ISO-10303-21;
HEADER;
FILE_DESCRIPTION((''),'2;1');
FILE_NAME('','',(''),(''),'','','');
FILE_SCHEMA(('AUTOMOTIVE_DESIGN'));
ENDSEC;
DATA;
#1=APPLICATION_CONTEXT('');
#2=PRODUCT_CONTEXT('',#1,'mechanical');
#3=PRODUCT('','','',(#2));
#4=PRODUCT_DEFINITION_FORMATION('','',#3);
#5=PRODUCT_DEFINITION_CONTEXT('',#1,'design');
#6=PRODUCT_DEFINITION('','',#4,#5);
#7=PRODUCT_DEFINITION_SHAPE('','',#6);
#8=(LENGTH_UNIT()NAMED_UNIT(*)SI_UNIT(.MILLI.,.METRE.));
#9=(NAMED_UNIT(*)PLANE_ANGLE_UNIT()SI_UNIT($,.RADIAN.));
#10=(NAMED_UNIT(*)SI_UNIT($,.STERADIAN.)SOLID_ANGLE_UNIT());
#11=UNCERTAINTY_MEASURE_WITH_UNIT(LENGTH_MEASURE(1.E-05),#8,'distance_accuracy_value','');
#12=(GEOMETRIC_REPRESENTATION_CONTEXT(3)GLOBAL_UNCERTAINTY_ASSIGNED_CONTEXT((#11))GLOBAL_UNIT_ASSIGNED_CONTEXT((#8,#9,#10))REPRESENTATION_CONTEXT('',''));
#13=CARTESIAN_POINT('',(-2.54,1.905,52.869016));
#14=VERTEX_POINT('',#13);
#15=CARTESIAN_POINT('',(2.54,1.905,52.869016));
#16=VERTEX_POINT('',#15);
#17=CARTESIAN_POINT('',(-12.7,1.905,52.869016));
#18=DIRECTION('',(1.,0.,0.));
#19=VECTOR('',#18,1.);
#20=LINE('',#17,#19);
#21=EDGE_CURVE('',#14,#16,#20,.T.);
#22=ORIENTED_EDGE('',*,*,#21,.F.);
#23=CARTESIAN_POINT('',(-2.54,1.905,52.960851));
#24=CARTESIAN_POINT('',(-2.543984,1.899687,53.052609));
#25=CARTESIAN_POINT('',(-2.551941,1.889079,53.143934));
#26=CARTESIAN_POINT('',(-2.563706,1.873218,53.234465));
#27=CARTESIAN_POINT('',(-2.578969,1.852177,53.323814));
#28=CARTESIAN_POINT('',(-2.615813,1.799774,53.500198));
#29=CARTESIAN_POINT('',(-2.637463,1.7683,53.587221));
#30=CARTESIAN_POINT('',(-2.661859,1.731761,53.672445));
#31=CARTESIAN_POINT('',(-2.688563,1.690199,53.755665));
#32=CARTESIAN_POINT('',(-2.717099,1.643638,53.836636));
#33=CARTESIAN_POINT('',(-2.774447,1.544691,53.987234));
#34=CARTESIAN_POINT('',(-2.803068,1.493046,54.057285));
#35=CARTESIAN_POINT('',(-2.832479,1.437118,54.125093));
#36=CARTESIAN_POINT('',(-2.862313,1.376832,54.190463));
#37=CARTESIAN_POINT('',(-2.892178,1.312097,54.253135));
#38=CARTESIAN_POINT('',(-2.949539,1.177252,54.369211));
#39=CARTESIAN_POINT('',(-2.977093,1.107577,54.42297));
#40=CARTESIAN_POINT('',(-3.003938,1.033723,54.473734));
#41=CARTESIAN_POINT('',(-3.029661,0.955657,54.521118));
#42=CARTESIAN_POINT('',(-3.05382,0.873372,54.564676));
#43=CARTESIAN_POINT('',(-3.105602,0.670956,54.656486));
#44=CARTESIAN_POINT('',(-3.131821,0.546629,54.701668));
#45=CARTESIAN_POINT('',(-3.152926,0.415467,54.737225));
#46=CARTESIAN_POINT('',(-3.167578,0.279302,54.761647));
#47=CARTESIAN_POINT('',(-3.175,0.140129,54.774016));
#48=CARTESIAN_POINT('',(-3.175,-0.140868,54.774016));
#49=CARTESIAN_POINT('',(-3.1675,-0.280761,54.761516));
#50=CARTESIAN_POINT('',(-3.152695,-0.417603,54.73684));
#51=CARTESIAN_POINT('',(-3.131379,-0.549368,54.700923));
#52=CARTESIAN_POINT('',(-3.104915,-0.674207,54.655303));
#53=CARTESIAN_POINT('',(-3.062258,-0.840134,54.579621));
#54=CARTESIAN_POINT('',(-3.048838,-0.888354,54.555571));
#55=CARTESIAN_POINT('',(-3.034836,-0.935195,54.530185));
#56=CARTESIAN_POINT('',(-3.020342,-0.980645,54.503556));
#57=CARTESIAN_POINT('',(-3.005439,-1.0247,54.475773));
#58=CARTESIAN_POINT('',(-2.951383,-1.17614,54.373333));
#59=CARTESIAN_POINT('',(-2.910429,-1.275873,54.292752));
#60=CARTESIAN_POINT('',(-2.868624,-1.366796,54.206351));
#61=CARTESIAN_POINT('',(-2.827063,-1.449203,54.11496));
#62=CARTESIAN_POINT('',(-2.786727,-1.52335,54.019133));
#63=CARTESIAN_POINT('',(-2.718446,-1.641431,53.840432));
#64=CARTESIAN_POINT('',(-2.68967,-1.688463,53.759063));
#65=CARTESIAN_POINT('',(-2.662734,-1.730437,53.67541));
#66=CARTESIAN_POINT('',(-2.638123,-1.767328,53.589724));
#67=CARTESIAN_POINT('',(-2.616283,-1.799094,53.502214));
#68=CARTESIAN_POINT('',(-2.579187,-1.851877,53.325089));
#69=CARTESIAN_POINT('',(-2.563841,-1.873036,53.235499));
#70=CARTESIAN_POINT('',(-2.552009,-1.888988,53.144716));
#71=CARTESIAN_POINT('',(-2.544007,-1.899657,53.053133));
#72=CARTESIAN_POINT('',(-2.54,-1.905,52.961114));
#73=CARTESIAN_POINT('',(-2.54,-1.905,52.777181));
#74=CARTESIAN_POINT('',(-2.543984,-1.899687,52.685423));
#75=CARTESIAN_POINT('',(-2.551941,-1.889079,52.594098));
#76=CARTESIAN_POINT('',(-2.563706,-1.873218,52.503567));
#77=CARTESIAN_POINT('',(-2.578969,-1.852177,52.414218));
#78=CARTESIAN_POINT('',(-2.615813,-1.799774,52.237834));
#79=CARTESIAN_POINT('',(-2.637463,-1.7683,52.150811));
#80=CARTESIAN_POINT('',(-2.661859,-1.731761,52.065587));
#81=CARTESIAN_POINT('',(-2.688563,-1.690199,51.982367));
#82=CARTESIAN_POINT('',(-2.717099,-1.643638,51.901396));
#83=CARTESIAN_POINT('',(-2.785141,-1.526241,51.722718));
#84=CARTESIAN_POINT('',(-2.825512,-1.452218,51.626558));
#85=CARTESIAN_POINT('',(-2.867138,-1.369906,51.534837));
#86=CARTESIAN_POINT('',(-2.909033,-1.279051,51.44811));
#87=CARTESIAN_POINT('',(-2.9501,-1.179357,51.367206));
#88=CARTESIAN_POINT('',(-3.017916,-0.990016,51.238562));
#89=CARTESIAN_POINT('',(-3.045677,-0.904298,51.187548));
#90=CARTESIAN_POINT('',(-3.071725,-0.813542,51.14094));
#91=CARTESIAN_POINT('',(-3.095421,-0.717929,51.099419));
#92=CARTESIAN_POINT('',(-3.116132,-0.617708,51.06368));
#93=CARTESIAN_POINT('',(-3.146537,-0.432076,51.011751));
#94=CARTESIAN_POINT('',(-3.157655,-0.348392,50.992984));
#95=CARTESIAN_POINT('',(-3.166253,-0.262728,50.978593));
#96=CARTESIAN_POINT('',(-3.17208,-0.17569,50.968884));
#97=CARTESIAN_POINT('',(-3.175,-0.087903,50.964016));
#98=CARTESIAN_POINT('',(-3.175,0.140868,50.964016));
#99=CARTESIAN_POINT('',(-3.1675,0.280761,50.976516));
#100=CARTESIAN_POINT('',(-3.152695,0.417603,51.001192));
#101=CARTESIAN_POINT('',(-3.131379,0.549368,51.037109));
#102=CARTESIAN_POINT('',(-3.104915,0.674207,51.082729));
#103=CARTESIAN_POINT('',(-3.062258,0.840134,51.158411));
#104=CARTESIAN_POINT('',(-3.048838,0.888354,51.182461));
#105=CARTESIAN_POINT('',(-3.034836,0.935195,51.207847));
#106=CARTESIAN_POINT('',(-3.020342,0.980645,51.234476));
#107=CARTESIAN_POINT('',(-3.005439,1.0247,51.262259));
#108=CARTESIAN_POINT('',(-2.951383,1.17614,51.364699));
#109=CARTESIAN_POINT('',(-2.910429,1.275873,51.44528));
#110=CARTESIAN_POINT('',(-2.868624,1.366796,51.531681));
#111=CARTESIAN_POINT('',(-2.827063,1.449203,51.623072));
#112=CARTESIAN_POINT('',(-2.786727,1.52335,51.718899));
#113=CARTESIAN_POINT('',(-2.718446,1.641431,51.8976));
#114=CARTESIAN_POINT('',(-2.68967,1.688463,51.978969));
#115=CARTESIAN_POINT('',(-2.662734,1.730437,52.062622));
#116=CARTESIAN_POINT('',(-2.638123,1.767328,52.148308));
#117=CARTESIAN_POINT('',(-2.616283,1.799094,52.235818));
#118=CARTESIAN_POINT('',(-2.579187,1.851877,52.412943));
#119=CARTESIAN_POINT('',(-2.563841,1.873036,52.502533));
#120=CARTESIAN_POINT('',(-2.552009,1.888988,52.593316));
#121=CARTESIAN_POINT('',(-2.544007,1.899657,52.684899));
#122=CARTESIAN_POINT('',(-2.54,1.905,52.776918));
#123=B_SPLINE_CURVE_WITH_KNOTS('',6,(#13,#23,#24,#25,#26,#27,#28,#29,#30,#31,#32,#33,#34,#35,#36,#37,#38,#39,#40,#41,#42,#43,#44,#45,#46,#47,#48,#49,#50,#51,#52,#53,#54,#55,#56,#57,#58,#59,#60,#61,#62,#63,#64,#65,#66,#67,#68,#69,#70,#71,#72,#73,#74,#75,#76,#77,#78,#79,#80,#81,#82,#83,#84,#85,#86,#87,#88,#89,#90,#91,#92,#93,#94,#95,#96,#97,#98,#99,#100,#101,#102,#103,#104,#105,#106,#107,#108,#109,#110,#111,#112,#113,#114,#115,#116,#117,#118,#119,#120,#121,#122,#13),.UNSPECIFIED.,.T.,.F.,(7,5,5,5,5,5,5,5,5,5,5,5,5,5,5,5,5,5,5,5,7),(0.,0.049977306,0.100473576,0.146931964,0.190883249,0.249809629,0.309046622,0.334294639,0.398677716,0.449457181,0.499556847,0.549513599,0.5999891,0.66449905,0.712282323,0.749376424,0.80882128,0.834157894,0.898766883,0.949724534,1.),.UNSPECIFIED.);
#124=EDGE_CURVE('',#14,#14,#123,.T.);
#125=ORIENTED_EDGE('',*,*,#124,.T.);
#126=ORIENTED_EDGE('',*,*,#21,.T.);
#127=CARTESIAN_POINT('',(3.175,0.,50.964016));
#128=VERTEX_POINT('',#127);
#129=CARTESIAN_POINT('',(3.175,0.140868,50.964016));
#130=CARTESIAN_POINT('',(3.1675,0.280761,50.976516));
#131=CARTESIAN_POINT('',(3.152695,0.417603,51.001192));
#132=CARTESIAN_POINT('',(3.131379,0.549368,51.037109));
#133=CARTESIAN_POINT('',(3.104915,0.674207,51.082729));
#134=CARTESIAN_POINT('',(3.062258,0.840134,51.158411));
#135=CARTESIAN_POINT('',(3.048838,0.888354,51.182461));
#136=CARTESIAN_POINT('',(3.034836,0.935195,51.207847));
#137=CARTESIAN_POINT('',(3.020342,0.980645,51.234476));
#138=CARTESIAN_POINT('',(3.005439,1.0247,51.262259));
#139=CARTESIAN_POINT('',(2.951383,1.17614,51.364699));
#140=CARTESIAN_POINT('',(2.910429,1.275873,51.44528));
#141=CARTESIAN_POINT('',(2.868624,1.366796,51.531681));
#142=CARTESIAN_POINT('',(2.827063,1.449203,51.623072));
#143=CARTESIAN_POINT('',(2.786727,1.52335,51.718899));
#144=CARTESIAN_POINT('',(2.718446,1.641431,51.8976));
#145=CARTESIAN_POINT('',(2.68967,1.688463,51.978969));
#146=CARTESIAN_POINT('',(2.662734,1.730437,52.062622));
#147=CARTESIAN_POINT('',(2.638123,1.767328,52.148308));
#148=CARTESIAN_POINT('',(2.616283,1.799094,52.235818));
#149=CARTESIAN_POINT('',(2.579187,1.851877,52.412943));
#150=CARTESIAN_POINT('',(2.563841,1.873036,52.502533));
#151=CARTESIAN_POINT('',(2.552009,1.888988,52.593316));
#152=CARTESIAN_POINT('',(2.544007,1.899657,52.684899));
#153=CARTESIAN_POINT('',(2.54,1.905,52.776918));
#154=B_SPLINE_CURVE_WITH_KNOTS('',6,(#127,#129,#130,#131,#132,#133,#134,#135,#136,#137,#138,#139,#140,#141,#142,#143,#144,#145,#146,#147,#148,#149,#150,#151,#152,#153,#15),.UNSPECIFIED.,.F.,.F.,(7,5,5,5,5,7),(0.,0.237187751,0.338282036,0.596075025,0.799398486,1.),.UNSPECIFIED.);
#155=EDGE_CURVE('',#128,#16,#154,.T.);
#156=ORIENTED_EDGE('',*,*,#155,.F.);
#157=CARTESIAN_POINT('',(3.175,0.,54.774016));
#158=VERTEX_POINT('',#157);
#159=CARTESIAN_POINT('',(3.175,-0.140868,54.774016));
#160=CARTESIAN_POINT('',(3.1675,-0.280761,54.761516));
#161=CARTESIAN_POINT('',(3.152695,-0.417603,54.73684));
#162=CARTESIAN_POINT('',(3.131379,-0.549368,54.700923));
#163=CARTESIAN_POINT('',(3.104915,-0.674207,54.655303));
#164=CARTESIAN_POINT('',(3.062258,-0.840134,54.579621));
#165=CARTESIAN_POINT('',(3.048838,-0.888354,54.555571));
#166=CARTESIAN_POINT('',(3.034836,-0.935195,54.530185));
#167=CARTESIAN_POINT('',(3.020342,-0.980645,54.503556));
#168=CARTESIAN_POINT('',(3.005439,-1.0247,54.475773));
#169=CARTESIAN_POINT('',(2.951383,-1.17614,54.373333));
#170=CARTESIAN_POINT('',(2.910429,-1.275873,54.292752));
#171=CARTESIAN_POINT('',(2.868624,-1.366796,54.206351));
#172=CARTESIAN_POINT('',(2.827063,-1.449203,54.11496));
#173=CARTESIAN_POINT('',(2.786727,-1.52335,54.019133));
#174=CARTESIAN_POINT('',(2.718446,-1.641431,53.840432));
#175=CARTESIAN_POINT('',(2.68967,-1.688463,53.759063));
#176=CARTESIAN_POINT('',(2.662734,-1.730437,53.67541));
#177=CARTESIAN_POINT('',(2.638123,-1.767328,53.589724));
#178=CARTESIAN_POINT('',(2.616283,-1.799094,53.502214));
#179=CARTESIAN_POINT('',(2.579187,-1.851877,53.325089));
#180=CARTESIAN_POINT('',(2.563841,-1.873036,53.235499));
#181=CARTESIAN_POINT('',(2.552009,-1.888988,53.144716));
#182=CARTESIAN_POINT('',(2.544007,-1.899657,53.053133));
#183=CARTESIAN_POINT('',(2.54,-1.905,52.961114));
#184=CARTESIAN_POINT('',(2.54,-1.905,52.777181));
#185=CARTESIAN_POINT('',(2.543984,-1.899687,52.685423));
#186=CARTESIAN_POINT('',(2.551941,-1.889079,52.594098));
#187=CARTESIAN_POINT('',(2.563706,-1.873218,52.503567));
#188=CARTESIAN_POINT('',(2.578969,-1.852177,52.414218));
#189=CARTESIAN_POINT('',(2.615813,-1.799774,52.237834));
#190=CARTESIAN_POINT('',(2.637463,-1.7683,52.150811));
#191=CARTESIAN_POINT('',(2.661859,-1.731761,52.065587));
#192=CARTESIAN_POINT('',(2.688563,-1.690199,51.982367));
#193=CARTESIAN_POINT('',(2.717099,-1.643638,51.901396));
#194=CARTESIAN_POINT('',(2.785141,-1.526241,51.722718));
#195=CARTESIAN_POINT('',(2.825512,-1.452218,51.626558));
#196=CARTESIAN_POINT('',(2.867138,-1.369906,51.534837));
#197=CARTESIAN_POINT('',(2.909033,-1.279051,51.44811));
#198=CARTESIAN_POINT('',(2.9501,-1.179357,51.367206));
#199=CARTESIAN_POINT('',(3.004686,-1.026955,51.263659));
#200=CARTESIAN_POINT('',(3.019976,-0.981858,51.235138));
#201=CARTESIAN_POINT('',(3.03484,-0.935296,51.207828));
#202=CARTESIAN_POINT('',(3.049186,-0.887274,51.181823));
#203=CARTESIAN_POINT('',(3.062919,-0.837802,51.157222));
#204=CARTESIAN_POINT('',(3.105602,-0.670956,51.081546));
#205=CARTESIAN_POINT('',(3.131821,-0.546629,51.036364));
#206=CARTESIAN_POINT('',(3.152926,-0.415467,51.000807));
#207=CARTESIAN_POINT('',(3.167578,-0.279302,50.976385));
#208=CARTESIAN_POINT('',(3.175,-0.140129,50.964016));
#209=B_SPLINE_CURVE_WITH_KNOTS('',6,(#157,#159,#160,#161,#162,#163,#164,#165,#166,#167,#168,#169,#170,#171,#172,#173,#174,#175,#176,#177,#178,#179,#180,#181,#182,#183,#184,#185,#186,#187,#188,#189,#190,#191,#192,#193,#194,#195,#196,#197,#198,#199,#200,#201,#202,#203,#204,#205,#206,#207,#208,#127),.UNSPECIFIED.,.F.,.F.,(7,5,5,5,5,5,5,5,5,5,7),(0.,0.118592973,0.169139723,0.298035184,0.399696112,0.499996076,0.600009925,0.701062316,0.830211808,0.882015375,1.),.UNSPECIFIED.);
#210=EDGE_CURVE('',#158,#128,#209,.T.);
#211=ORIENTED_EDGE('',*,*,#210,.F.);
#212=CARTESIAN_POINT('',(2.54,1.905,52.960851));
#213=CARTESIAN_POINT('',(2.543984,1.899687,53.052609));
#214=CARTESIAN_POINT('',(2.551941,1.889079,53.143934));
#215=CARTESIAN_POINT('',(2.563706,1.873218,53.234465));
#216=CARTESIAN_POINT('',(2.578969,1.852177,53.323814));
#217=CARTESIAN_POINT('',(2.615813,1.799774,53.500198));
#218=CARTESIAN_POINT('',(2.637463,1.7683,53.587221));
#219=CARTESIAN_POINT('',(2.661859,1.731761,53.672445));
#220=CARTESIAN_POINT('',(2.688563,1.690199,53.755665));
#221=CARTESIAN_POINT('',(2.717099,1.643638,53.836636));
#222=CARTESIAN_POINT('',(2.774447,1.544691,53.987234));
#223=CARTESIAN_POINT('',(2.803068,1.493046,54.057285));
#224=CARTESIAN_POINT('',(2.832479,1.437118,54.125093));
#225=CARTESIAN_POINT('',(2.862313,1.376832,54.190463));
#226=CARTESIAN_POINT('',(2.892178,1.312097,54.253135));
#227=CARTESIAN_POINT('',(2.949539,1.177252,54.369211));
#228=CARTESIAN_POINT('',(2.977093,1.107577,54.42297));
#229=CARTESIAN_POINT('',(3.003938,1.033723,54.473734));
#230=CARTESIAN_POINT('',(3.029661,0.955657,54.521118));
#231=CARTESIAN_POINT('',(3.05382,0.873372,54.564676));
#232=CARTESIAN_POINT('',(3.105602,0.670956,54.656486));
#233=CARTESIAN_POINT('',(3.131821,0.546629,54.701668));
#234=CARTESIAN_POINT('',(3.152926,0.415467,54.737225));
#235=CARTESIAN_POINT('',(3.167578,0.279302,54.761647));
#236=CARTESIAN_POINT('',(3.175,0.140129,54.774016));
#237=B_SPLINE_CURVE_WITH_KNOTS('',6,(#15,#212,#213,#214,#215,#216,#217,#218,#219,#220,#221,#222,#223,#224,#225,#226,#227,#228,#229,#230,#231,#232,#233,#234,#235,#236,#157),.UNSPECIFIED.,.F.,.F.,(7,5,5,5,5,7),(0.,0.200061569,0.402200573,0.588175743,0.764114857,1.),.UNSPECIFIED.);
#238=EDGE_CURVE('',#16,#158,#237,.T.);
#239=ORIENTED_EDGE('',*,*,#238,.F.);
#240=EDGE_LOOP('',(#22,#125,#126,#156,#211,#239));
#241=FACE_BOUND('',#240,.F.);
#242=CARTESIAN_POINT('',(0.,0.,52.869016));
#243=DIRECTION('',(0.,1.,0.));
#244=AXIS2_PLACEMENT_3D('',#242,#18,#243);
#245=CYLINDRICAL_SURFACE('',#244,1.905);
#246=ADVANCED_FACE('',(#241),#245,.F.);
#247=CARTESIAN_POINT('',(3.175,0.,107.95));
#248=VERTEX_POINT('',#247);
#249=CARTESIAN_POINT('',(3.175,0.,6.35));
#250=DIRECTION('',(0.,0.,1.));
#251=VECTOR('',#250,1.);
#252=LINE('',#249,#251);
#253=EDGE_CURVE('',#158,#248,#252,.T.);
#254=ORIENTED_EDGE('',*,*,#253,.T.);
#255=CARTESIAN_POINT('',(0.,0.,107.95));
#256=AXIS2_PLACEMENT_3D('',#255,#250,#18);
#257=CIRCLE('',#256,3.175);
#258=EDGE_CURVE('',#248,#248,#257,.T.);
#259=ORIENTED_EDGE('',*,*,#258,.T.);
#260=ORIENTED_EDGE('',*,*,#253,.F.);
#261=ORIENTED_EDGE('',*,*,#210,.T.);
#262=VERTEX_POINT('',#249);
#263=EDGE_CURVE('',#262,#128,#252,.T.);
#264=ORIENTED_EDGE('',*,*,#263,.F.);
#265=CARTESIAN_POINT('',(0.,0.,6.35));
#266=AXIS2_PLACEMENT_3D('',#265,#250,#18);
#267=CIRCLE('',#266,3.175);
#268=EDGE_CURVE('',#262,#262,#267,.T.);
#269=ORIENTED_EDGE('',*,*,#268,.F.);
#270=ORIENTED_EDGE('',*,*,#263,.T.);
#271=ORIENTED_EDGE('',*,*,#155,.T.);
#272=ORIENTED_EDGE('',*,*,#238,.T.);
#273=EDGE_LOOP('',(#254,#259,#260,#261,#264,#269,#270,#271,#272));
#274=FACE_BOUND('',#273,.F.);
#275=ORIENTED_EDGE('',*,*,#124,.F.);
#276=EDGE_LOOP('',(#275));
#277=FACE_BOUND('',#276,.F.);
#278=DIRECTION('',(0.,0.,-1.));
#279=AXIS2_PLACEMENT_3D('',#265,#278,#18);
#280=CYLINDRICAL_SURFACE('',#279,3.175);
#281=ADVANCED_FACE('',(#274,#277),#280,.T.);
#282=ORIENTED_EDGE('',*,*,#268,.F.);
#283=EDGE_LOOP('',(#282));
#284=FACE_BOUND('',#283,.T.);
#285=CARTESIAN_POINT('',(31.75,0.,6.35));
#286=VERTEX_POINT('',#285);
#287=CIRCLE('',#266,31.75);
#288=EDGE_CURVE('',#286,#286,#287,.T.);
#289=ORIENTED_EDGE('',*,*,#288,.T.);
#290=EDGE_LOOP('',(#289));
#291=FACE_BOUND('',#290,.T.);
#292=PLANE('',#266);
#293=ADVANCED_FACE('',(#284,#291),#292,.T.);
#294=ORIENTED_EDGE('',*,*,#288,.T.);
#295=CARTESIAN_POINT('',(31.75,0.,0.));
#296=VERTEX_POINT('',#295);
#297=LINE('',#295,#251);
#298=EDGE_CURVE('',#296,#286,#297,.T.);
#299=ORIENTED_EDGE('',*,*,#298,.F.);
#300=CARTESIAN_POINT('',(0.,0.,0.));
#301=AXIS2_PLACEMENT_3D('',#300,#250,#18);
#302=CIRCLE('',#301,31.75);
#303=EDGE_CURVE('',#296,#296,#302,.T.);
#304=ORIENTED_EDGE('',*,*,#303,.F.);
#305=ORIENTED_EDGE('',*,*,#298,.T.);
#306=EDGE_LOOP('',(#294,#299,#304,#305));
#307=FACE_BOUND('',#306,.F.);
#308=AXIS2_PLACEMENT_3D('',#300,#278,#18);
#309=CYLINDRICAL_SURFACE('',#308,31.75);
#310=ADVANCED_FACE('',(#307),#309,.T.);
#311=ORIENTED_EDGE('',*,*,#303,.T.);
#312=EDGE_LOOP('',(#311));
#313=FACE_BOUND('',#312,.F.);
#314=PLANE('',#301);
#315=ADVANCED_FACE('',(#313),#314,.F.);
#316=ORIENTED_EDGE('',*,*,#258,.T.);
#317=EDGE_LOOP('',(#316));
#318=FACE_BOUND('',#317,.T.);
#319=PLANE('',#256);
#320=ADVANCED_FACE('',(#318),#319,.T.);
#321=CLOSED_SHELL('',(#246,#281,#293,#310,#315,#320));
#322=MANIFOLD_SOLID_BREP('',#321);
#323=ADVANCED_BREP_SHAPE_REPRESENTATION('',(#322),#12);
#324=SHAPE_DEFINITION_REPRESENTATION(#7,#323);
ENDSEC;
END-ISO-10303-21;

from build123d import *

# Parameters (mm, degrees)
F0_R     = 31.75
F1_DEPTH = 6.35
F2_R     = 3.175
F3_DEPTH = 101.6
F4_R     = 1.905
F5_DEPTH = 12.7


with BuildPart() as f1:
    # F0 (on Top) → F1 (new body)
    with BuildSketch(Plane.XY):
        Circle(F0_R)
    extrude(amount=F1_DEPTH)

    # F2 (on face) → F3 (join)
    with BuildSketch(Plane.XY.offset(6.35)):
        Circle(F2_R)
    extrude(amount=F3_DEPTH)

    # F4 (on Right) → F5 (cut, symmetric)
    with BuildSketch(Plane.YZ):
        with Locations((0, 52.869016)):
            Circle(F4_R)
    extrude(amount=F5_DEPTH, both=True, mode=Mode.SUBTRACT)


solid = f1.part
